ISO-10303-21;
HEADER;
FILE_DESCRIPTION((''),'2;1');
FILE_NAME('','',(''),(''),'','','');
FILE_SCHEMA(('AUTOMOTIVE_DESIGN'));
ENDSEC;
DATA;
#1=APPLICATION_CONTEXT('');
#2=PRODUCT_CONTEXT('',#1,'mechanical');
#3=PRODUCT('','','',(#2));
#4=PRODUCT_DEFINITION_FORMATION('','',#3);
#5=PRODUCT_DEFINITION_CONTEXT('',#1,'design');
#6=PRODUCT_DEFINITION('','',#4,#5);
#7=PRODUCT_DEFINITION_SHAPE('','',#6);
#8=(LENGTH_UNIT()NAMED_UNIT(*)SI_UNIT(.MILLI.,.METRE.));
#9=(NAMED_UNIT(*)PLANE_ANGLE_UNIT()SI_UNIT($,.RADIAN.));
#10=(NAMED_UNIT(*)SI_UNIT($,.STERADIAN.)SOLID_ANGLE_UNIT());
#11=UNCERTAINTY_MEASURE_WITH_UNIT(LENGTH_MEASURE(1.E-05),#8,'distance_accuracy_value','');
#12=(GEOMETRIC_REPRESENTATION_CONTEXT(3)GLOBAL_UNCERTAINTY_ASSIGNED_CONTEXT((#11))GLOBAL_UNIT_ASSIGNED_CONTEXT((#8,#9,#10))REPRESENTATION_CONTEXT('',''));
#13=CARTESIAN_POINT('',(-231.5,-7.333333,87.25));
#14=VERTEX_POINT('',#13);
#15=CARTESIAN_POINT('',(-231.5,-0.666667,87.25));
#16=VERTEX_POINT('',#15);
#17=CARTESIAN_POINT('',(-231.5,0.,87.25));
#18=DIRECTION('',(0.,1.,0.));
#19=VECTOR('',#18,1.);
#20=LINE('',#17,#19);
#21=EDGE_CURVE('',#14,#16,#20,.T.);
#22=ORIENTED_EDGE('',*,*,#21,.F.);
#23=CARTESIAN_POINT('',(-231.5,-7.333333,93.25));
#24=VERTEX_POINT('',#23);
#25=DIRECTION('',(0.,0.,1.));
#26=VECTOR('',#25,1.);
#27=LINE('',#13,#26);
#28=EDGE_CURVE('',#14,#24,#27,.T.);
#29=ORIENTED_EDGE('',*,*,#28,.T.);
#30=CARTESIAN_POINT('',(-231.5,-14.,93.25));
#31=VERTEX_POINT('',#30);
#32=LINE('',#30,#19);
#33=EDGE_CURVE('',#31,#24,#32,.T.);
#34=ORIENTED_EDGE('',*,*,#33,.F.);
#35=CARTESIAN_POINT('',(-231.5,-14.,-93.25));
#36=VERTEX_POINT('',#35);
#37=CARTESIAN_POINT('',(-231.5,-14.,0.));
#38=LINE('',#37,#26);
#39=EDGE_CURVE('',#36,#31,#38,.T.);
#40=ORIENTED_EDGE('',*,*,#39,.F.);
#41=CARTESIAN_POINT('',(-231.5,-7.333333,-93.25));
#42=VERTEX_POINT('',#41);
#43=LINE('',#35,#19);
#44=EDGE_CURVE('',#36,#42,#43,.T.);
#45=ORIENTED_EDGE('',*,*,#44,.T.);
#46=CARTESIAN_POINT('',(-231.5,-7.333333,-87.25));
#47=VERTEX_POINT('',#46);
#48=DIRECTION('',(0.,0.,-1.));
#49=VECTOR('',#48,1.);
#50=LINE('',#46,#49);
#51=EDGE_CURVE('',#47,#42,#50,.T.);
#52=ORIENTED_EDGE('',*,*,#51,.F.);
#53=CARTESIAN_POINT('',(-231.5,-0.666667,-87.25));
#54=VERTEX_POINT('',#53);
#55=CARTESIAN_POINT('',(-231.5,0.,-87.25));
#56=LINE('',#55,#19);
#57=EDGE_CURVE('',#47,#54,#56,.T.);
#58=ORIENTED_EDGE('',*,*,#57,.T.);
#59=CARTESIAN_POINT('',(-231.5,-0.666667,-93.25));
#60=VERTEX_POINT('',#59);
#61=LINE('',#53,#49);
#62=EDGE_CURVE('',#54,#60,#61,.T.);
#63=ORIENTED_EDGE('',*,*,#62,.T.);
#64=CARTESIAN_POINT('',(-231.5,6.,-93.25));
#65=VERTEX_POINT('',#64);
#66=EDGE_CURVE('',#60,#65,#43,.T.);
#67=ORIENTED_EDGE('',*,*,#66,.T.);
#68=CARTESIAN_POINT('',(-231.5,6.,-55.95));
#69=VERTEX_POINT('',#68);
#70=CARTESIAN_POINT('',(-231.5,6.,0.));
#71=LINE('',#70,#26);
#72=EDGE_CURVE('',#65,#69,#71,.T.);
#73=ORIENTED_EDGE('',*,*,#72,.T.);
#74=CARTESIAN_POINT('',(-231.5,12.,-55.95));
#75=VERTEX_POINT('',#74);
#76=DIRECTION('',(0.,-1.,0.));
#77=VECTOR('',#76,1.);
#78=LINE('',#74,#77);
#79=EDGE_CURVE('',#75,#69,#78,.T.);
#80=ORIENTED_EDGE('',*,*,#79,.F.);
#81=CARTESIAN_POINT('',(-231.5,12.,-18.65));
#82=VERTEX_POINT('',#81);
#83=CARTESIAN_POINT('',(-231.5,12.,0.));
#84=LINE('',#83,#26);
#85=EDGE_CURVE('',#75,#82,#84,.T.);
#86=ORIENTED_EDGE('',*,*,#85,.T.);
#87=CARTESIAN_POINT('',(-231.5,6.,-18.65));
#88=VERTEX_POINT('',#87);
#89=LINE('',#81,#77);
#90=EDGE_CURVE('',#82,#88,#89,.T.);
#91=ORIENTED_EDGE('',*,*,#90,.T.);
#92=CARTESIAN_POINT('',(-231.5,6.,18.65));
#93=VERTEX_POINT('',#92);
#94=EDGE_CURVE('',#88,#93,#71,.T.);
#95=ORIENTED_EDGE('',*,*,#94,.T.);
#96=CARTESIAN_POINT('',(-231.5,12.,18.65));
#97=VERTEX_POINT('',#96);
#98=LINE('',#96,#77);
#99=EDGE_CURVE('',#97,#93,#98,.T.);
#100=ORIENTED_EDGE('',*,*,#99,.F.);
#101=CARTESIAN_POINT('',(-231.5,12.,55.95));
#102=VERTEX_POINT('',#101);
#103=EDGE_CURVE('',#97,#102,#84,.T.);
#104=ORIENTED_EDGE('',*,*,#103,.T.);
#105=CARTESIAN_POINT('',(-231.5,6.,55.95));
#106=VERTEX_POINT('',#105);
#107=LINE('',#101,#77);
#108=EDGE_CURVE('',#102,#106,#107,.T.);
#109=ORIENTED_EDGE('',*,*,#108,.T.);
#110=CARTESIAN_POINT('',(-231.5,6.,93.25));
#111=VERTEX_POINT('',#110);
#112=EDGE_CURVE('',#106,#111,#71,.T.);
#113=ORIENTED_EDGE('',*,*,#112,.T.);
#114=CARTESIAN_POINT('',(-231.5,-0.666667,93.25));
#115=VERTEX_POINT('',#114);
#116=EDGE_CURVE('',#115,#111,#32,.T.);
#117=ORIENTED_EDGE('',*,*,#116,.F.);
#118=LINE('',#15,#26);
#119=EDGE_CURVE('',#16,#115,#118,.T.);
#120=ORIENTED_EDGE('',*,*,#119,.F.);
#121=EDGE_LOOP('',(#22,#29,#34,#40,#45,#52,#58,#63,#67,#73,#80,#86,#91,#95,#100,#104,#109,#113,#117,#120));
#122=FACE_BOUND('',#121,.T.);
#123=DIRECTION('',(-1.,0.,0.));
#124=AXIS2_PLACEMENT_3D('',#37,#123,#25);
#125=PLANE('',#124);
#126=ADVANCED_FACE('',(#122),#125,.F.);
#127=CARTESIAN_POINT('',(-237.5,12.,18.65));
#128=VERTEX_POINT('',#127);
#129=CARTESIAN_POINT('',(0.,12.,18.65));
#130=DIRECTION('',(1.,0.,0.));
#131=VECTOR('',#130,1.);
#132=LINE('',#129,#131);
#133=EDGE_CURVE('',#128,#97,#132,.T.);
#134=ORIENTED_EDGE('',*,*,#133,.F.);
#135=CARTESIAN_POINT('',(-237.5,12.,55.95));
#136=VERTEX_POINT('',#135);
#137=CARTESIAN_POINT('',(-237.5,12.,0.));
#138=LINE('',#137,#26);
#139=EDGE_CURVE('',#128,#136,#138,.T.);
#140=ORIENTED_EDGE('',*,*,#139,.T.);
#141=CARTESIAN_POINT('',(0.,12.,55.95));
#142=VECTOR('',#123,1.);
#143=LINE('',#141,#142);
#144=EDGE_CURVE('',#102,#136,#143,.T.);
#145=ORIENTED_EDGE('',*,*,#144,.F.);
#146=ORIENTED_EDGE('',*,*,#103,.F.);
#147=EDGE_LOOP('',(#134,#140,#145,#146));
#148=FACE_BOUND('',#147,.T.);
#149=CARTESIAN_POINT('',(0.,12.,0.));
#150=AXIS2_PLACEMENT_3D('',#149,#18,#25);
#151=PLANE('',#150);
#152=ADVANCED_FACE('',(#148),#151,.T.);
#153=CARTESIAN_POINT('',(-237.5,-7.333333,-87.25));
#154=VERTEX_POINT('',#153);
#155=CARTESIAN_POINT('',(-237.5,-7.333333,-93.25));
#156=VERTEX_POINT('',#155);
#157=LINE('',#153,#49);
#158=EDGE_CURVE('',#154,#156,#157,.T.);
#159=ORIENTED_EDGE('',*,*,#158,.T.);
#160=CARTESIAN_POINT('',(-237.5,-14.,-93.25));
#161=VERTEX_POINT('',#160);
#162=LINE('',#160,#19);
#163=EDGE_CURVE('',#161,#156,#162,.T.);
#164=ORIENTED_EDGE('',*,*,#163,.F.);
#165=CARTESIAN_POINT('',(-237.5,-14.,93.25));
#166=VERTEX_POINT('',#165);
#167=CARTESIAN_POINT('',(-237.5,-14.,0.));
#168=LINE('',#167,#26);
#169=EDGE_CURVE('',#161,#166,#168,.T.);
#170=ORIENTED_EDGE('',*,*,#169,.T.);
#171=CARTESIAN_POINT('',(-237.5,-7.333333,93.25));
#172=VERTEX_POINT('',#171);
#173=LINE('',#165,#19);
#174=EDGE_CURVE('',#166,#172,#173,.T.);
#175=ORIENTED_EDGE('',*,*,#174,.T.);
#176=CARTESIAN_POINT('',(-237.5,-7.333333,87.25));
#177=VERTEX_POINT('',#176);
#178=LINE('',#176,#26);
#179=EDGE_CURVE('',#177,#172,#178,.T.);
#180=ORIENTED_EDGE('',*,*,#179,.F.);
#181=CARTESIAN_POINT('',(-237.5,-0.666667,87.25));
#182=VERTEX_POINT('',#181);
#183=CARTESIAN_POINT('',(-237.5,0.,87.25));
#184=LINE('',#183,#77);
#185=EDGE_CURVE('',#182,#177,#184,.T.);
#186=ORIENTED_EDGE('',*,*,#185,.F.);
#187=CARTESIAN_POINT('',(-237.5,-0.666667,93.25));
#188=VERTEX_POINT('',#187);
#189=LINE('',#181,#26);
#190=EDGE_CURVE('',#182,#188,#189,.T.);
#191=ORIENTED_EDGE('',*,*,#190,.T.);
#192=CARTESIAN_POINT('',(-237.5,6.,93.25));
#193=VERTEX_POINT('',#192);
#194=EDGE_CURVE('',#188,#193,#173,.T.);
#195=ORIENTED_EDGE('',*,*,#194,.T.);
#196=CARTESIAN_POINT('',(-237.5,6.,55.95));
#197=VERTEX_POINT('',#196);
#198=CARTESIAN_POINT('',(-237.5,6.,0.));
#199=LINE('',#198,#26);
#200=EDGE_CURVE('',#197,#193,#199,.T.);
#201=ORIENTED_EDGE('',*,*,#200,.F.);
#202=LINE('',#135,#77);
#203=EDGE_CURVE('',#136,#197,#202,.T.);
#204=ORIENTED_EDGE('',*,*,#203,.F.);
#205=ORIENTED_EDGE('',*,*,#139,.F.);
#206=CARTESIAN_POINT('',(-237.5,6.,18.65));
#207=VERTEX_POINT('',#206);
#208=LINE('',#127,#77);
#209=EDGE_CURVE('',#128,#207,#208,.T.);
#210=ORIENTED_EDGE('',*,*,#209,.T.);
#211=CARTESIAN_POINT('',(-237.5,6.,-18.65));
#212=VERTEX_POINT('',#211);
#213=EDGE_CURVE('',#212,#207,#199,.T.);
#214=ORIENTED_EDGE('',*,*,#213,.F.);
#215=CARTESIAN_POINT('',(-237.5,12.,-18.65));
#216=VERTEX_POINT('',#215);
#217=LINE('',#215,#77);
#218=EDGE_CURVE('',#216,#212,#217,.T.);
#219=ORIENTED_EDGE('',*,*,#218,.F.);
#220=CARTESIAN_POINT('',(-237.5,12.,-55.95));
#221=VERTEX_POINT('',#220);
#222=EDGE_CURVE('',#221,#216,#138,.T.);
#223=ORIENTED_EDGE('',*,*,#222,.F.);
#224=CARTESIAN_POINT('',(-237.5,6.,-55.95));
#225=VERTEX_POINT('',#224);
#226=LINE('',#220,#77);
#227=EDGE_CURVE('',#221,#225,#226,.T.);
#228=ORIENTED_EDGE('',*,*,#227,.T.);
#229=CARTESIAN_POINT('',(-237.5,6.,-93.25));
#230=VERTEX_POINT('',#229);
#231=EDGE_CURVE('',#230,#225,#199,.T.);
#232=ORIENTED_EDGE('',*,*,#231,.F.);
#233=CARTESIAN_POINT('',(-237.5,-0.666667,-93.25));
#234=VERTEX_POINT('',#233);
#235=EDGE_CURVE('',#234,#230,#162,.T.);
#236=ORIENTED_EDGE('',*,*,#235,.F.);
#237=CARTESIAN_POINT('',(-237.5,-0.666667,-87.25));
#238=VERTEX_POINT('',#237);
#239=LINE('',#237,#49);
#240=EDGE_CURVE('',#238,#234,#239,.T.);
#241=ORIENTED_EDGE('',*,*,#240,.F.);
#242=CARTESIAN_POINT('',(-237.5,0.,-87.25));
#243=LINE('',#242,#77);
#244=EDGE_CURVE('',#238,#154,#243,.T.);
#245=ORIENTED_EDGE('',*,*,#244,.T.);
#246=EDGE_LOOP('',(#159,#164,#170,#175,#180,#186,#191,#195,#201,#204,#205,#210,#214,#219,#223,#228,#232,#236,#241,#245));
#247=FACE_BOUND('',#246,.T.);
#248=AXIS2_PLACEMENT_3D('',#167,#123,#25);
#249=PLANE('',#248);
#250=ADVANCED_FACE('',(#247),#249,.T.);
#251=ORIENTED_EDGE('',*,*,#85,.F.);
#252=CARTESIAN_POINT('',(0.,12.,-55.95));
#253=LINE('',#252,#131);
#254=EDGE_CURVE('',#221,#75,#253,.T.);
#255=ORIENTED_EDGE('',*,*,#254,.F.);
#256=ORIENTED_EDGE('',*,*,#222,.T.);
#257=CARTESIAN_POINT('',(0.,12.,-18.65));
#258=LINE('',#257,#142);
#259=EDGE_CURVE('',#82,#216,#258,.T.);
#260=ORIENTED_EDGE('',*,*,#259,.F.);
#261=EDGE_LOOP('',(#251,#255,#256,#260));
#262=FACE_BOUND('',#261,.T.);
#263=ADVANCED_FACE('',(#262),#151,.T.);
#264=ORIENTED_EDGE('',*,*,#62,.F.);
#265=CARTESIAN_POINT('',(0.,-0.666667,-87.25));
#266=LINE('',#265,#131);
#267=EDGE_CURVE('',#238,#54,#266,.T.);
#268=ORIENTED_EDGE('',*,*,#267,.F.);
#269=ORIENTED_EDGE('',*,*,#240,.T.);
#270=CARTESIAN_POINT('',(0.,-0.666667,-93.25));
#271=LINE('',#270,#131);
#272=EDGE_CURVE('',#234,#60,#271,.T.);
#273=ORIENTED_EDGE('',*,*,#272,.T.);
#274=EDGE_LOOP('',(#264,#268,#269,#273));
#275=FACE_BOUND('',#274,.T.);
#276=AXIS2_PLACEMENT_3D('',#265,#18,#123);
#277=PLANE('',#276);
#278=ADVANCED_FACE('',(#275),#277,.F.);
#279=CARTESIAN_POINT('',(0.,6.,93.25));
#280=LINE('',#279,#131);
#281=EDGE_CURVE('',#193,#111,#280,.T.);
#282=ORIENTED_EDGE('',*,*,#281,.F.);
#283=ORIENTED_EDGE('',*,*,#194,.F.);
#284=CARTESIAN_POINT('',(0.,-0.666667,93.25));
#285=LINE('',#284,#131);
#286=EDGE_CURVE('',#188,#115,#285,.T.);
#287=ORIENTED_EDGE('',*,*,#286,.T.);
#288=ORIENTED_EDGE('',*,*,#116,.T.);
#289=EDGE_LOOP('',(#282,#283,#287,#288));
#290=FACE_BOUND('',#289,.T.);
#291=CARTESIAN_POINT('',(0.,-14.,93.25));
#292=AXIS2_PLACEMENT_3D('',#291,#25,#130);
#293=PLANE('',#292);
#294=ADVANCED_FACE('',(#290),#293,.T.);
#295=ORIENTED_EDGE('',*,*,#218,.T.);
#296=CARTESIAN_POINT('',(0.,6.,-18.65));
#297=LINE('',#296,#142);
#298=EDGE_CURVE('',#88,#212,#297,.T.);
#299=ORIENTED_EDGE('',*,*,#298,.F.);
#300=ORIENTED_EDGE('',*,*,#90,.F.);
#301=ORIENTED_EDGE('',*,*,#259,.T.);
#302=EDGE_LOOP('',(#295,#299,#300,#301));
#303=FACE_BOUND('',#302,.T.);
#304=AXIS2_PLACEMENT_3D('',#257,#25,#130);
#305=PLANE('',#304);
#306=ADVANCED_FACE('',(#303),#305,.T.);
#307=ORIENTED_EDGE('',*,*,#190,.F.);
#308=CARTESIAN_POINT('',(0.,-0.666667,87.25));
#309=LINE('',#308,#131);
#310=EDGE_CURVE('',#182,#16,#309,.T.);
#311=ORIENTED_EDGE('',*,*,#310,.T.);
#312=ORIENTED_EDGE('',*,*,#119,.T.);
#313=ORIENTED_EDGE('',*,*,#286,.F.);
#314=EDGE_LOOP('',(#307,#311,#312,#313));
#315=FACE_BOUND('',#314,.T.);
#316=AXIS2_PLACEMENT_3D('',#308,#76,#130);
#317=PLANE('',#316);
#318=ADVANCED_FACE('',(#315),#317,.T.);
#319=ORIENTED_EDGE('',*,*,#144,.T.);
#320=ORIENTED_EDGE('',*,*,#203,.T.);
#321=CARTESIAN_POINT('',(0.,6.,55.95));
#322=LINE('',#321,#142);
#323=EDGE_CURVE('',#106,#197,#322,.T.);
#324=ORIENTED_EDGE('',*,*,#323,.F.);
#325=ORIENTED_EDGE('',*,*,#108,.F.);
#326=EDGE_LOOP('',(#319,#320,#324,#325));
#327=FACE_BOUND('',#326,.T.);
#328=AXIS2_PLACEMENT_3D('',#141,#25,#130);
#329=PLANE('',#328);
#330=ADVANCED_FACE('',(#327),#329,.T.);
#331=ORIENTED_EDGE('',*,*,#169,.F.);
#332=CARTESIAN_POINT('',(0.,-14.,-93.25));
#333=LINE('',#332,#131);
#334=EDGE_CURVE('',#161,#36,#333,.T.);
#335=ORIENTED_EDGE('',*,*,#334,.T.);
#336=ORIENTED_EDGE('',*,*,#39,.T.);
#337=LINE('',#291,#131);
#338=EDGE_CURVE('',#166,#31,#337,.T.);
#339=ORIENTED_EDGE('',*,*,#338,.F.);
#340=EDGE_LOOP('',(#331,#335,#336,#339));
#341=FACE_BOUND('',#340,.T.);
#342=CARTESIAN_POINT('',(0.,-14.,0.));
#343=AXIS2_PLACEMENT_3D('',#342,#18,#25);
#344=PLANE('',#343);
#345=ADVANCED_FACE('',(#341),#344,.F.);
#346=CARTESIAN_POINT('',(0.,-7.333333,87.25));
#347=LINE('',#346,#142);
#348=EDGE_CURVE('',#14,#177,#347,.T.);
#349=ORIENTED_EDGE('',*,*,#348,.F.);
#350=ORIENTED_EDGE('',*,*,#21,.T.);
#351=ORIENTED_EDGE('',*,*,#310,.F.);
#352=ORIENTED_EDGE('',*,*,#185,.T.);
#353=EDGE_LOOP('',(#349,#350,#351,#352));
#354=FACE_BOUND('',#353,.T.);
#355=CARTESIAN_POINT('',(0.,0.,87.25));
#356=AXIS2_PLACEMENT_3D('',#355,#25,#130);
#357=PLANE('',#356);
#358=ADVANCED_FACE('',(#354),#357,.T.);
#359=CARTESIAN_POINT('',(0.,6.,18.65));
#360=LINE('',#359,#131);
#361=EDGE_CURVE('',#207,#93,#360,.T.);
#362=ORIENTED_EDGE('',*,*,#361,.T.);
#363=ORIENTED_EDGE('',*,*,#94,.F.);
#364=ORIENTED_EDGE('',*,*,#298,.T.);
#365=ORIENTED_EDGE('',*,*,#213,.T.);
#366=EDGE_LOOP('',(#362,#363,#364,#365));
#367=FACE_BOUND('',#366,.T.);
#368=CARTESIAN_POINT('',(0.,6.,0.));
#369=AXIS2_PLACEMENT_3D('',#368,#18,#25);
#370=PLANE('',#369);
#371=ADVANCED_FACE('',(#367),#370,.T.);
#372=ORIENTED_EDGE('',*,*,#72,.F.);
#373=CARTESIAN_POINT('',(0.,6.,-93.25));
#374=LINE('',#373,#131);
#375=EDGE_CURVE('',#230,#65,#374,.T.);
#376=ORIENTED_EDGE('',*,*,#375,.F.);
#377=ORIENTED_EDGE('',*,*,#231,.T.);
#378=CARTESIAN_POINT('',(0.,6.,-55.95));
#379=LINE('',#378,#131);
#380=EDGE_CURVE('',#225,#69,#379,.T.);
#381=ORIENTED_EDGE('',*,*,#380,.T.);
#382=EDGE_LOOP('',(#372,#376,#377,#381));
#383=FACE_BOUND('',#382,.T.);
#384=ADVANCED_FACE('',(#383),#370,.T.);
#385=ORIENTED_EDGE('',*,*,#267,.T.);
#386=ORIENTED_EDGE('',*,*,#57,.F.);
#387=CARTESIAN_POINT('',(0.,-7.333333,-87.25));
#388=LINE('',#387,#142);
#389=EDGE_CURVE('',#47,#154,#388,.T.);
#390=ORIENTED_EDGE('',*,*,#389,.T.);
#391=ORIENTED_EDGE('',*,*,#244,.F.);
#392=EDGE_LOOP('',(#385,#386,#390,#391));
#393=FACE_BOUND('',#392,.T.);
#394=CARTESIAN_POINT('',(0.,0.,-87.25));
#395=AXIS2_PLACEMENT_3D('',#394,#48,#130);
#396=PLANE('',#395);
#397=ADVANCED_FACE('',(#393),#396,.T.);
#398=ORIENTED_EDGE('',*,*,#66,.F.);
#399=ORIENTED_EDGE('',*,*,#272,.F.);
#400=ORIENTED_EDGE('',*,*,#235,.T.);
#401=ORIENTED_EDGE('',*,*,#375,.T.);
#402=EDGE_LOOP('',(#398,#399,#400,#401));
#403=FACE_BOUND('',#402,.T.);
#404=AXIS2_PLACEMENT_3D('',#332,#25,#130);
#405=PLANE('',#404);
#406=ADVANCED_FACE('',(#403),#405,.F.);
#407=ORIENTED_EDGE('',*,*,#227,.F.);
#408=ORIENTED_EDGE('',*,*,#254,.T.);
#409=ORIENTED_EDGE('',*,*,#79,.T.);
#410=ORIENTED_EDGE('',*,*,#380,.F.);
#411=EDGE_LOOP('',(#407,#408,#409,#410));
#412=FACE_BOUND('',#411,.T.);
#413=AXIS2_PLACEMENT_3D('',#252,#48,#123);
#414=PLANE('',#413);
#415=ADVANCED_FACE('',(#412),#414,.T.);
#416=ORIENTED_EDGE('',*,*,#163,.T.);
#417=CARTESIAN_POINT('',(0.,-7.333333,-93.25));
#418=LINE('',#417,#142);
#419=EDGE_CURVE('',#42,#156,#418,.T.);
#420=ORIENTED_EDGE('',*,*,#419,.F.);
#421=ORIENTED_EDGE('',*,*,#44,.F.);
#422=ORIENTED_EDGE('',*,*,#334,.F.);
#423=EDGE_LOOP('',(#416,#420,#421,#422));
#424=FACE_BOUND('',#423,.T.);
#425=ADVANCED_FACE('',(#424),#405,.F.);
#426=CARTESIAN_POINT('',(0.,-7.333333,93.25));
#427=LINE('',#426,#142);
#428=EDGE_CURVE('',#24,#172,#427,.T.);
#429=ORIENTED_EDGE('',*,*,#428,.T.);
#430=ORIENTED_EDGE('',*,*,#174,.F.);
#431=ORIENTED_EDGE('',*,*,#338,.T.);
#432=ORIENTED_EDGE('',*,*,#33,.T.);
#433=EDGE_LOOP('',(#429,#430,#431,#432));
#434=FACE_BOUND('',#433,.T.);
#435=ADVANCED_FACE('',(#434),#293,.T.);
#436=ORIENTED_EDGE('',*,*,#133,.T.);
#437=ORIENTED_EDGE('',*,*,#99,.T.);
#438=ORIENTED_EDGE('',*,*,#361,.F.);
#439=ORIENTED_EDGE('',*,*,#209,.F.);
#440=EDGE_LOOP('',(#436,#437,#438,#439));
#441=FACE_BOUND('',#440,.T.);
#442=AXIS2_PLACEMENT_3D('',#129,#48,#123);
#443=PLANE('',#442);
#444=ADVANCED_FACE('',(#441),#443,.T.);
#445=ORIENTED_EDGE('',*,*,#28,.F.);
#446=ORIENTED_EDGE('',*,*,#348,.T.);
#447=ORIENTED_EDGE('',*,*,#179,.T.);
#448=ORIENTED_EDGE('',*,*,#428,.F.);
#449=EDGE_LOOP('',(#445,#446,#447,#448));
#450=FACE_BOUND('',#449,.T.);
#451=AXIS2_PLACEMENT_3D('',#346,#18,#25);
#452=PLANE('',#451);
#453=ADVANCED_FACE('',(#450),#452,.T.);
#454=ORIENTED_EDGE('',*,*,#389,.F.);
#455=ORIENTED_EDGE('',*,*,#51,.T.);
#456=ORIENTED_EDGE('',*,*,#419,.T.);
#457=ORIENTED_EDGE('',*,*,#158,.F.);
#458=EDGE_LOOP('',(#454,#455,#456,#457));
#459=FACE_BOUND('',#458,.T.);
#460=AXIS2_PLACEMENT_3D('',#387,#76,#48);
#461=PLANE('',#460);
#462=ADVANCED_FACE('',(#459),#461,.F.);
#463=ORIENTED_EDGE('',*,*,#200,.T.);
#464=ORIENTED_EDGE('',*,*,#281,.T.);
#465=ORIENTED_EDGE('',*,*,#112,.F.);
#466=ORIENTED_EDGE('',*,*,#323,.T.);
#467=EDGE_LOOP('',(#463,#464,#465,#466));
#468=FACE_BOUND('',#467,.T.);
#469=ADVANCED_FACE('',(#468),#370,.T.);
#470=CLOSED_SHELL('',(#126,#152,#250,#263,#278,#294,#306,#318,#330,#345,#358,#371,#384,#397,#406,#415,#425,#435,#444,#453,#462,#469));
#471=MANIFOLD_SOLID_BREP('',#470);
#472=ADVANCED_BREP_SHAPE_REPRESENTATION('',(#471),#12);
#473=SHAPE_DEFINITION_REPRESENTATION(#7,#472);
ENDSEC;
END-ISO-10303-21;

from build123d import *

# Parameters (mm, degrees)
SKETCH1_W               = 415
SKETCH1_H               = 126.5
BOSS_EXTRUDE1_DEPTH     = 6
SKETCH2_W               = 6
SKETCH2_H               = 37.3
BOSS_EXTRUDE2_DEPTH     = 20
SKETCH1_2_W             = 415
SKETCH1_2_H             = 126.5
CUT_EXTRUDE1_DEPTH      = 7
CUT_EXTRUDE1_DEPTH_BACK = 15
SKETCH2_4_W             = 6
SKETCH2_4_H             = 37.3
BOSS_EXTRUDE3_DEPTH     = 6
SKETCH5_W               = 6
SKETCH5_H               = 6.666666666
CUT_EXTRUDE3_DEPTH      = 6


with BuildPart() as part:
    # Sketch1 → Boss-Extrude1 (new body)
    with BuildSketch(Plane(origin=(0, 0, 0), x_dir=(1, 0, 0), z_dir=(0, 1, 0))):
        Rectangle(SKETCH1_W, SKETCH1_H)
    extrude(amount=BOSS_EXTRUDE1_DEPTH)

    # Sketch1<2> → Cut-Extrude1 (cut, two sides)
    with BuildSketch(Plane(origin=(0, 0, 0), x_dir=(1, 0, 0), z_dir=(0, 1, 0))) as cut_extrude1_sk:
        Rectangle(SKETCH1_2_W, SKETCH1_2_H)
    extrude(amount=CUT_EXTRUDE1_DEPTH, mode=Mode.SUBTRACT)
    extrude(cut_extrude1_sk.sketch, amount=-CUT_EXTRUDE1_DEPTH_BACK, mode=Mode.SUBTRACT)


with BuildPart() as body_2:
    # Sketch2 → Boss-Extrude2 (new body)
    with BuildSketch(Plane(origin=(0, 6, 0), x_dir=(1, 0, 0), z_dir=(0, 1, 0))):
        Polygon((-237.5, 55.95), (-231.5, 55.95), (-231.5, 87.25), (-231.5, 93.25), (-237.5, 93.25), align=None)
        with Locations((-234.5, 37.3)):
            Rectangle(SKETCH2_W, SKETCH2_H)
        with Locations((-234.5, 0)):
            Rectangle(SKETCH2_W, SKETCH2_H)
        with Locations((-234.5, -37.3)):
            Rectangle(SKETCH2_W, SKETCH2_H)
        Polygon((-231.5, -93.25), (-231.5, -87.25), (-231.5, -55.95), (-237.5, -55.95), (-237.5, -93.25), align=None)
    extrude(amount=-BOSS_EXTRUDE2_DEPTH)

    # Sketch2<4> → Boss-Extrude3 (add)
    with BuildSketch(Plane(origin=(0, 6, 0), x_dir=(1, 0, 0), z_dir=(0, 1, 0))):
        with Locations((-234.5, -37.3)):
            Rectangle(SKETCH2_4_W, SKETCH2_4_H)
        with Locations((-234.5, 37.3)):
            Rectangle(SKETCH2_4_W, SKETCH2_4_H)
    extrude(amount=BOSS_EXTRUDE3_DEPTH)

    # Sketch5 → Cut-Extrude3 (cut)
    with BuildSketch(Plane.XY.offset(93.25)):
        with Locations((-234.5, -4)):
            Rectangle(SKETCH5_W, SKETCH5_H)
    cut_extrude3 = extrude(amount=-CUT_EXTRUDE3_DEPTH, mode=Mode.SUBTRACT)

    # Mirror3: Cut-Extrude3 across plane
    add(cut_extrude3.mirror(Plane.XY), mode=Mode.SUBTRACT)


solid = body_2.part
